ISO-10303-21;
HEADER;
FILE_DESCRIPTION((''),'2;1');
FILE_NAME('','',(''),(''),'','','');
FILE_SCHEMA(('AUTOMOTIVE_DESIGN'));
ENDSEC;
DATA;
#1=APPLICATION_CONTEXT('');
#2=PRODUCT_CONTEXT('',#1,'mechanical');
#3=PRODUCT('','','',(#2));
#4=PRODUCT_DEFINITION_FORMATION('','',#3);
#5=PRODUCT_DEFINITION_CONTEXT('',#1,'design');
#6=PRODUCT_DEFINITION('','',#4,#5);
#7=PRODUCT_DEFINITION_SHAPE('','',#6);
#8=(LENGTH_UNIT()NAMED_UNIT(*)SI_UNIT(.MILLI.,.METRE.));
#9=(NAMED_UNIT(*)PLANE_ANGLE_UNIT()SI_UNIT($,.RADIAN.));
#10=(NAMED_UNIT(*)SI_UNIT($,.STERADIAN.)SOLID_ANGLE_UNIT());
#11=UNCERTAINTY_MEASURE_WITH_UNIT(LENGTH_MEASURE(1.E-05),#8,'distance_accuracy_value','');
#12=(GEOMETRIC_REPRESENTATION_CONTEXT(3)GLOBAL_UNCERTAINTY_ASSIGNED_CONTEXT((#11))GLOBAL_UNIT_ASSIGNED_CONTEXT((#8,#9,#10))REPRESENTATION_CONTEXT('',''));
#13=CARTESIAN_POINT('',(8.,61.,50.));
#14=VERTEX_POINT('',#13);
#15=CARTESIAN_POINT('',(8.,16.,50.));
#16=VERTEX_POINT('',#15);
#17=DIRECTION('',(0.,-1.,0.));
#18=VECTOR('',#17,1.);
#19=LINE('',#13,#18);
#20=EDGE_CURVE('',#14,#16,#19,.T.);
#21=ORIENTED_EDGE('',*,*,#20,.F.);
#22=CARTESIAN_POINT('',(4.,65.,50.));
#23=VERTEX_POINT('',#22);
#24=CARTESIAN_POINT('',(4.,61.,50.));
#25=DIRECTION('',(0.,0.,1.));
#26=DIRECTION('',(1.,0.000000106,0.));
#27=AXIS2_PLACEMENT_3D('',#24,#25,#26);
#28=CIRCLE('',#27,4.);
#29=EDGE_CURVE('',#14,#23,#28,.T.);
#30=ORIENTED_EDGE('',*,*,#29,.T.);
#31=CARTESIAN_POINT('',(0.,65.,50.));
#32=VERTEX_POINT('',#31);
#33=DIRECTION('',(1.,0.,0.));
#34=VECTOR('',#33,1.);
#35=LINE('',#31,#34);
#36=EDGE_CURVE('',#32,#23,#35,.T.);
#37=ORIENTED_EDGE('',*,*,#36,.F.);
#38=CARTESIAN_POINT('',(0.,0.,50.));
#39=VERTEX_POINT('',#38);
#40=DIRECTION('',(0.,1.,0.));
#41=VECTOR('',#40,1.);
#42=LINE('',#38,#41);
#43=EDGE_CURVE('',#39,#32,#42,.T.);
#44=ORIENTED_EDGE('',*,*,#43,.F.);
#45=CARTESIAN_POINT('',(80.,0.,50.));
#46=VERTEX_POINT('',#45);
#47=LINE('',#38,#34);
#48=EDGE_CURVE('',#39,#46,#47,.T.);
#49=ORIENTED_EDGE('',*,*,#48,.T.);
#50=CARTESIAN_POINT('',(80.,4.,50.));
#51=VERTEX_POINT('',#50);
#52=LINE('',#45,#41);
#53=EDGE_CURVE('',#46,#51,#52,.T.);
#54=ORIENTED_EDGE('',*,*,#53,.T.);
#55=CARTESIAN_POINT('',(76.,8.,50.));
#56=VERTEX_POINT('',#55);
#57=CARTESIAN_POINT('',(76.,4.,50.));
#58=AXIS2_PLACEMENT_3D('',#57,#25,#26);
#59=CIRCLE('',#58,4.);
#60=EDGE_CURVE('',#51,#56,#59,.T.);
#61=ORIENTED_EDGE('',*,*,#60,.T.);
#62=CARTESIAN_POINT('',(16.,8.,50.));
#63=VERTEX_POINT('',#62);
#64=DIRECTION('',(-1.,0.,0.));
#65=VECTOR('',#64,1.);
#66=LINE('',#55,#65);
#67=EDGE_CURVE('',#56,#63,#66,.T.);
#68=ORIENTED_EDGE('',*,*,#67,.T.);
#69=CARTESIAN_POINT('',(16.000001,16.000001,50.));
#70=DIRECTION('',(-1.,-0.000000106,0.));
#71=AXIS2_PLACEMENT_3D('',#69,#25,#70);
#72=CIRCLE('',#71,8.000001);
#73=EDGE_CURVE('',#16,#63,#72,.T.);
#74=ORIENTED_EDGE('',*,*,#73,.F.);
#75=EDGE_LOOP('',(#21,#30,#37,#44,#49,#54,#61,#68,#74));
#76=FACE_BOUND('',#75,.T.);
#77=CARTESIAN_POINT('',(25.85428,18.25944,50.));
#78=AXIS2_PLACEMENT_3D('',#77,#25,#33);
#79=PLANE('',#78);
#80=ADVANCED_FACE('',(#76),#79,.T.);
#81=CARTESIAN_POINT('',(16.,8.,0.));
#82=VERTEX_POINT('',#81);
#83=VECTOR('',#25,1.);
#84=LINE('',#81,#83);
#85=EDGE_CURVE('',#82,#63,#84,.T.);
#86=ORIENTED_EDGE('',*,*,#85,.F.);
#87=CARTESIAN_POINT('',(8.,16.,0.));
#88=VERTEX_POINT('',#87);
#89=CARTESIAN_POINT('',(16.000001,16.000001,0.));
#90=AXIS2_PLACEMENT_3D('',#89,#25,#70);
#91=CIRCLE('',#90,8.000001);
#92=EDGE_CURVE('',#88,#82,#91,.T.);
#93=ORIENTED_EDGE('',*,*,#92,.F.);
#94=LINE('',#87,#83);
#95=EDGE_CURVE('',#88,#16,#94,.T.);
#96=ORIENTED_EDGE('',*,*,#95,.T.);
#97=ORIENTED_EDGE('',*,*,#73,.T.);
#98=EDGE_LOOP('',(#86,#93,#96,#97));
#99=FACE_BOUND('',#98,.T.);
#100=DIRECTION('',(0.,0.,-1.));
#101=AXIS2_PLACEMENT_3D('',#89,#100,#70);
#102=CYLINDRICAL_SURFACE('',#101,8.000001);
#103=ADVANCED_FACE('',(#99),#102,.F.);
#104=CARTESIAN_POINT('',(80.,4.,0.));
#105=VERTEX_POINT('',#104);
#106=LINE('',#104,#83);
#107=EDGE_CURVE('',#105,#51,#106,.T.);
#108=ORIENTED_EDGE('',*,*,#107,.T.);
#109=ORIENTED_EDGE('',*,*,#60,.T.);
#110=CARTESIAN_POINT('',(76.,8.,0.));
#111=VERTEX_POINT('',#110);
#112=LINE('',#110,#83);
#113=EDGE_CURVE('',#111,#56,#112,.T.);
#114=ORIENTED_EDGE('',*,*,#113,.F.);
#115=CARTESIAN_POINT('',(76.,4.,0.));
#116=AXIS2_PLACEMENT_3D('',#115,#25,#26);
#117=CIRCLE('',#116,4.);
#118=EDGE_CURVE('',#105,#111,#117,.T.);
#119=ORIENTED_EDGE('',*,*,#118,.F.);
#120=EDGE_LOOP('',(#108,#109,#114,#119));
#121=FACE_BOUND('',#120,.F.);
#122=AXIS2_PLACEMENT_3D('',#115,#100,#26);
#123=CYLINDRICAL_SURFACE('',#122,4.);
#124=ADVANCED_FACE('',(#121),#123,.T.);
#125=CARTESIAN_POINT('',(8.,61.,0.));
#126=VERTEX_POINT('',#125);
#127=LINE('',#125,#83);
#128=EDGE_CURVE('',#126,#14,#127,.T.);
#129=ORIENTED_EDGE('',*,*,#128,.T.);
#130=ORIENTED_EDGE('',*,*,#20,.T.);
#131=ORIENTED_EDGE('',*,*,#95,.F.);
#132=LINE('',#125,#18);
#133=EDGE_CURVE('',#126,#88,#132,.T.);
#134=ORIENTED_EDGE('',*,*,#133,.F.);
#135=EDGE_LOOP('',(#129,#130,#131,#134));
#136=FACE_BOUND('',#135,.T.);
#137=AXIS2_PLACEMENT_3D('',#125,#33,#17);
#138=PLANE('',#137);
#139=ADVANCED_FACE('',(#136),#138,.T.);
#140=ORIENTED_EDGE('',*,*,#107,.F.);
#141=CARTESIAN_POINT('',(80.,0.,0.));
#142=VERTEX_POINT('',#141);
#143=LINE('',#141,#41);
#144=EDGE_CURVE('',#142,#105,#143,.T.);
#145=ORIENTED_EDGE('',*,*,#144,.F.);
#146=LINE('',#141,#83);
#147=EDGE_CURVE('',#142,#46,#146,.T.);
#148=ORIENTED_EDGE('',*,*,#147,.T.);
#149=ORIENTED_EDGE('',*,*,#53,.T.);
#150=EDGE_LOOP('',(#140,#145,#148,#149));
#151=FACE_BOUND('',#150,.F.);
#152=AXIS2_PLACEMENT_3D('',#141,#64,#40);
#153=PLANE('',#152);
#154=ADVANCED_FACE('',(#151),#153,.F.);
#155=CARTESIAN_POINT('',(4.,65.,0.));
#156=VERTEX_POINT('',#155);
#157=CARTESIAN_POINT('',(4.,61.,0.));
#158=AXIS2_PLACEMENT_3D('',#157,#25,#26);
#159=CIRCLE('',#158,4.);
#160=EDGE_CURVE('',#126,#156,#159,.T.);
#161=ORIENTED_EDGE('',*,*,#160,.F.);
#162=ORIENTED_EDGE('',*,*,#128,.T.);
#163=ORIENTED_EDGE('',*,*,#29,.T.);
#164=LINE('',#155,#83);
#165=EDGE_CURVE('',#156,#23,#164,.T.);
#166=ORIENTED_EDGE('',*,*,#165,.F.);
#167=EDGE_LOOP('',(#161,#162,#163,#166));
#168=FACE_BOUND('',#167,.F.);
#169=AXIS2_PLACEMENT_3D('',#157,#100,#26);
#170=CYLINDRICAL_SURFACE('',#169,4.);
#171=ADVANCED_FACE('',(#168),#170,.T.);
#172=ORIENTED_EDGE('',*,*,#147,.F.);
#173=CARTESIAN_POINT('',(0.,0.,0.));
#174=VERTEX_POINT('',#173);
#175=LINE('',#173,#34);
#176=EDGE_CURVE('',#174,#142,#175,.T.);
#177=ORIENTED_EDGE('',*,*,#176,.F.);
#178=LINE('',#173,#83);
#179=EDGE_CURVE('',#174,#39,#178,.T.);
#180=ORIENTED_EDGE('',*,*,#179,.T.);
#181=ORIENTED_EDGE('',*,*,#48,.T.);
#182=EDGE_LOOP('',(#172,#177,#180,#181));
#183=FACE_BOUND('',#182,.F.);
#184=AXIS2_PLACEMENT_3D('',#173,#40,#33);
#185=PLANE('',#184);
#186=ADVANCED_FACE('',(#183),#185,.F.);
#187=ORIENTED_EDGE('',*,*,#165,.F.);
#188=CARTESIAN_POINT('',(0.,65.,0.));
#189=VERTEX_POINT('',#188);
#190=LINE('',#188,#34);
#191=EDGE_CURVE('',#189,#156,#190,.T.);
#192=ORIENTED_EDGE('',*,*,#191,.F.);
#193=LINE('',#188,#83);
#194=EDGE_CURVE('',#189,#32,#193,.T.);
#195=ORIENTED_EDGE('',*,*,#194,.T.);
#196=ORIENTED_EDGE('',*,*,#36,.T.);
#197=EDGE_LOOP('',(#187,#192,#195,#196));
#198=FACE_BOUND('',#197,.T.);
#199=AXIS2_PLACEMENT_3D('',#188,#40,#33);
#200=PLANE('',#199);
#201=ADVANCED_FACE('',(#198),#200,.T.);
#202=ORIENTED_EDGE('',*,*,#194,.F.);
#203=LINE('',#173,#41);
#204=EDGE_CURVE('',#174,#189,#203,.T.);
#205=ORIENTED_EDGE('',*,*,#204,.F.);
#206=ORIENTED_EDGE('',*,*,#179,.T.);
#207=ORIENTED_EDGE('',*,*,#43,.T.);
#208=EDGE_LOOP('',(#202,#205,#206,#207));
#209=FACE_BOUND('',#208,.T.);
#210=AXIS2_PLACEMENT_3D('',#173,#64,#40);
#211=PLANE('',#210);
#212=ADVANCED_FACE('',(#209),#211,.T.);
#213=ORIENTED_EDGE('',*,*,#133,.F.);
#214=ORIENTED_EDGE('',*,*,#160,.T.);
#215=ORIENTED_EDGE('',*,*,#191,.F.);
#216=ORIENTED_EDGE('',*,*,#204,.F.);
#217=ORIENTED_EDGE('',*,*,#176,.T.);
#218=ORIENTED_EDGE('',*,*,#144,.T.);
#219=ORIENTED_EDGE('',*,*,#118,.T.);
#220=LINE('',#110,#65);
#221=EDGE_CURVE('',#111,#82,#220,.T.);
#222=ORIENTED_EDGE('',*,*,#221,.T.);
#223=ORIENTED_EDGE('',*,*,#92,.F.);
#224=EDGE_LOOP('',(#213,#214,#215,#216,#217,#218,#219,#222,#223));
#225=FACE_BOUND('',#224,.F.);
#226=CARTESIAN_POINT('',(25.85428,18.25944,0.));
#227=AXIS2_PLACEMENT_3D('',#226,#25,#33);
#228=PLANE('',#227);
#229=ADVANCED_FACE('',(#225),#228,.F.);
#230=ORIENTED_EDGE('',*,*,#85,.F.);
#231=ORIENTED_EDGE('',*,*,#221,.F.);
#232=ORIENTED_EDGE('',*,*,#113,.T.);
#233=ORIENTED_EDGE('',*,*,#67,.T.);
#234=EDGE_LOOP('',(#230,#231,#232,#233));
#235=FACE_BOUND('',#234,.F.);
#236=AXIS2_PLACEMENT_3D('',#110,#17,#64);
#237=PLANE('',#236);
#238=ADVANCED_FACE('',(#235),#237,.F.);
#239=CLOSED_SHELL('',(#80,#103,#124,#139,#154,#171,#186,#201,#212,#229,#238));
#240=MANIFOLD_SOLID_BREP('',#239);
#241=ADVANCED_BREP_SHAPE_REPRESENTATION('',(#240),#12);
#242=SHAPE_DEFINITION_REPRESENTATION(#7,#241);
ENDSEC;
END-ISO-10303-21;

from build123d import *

# Parameters (mm, degrees)
EXTRUDE_DEPTH = 50


with BuildPart() as part:
    # Sketch → Extrude (new body)
    with BuildSketch(Plane.XY):
        with BuildLine():
            Line((0, 0), (80, 0))
            Line((80, 0), (80, 4))
            ThreePointArc((80, 4), (78.828427, 6.828427), (76, 8))
            Line((76, 8), (16, 8))
            ThreePointArc((8, 16), (10.343146, 10.343146), (16, 8))
            Line((8, 61), (8, 16))
            ThreePointArc((8, 61), (6.828427, 63.828427), (4, 65))
            Line((0, 65), (4, 65))
            Line((0, 0), (0, 65))
        make_face()
    extrude(amount=EXTRUDE_DEPTH)


solid = part.part
